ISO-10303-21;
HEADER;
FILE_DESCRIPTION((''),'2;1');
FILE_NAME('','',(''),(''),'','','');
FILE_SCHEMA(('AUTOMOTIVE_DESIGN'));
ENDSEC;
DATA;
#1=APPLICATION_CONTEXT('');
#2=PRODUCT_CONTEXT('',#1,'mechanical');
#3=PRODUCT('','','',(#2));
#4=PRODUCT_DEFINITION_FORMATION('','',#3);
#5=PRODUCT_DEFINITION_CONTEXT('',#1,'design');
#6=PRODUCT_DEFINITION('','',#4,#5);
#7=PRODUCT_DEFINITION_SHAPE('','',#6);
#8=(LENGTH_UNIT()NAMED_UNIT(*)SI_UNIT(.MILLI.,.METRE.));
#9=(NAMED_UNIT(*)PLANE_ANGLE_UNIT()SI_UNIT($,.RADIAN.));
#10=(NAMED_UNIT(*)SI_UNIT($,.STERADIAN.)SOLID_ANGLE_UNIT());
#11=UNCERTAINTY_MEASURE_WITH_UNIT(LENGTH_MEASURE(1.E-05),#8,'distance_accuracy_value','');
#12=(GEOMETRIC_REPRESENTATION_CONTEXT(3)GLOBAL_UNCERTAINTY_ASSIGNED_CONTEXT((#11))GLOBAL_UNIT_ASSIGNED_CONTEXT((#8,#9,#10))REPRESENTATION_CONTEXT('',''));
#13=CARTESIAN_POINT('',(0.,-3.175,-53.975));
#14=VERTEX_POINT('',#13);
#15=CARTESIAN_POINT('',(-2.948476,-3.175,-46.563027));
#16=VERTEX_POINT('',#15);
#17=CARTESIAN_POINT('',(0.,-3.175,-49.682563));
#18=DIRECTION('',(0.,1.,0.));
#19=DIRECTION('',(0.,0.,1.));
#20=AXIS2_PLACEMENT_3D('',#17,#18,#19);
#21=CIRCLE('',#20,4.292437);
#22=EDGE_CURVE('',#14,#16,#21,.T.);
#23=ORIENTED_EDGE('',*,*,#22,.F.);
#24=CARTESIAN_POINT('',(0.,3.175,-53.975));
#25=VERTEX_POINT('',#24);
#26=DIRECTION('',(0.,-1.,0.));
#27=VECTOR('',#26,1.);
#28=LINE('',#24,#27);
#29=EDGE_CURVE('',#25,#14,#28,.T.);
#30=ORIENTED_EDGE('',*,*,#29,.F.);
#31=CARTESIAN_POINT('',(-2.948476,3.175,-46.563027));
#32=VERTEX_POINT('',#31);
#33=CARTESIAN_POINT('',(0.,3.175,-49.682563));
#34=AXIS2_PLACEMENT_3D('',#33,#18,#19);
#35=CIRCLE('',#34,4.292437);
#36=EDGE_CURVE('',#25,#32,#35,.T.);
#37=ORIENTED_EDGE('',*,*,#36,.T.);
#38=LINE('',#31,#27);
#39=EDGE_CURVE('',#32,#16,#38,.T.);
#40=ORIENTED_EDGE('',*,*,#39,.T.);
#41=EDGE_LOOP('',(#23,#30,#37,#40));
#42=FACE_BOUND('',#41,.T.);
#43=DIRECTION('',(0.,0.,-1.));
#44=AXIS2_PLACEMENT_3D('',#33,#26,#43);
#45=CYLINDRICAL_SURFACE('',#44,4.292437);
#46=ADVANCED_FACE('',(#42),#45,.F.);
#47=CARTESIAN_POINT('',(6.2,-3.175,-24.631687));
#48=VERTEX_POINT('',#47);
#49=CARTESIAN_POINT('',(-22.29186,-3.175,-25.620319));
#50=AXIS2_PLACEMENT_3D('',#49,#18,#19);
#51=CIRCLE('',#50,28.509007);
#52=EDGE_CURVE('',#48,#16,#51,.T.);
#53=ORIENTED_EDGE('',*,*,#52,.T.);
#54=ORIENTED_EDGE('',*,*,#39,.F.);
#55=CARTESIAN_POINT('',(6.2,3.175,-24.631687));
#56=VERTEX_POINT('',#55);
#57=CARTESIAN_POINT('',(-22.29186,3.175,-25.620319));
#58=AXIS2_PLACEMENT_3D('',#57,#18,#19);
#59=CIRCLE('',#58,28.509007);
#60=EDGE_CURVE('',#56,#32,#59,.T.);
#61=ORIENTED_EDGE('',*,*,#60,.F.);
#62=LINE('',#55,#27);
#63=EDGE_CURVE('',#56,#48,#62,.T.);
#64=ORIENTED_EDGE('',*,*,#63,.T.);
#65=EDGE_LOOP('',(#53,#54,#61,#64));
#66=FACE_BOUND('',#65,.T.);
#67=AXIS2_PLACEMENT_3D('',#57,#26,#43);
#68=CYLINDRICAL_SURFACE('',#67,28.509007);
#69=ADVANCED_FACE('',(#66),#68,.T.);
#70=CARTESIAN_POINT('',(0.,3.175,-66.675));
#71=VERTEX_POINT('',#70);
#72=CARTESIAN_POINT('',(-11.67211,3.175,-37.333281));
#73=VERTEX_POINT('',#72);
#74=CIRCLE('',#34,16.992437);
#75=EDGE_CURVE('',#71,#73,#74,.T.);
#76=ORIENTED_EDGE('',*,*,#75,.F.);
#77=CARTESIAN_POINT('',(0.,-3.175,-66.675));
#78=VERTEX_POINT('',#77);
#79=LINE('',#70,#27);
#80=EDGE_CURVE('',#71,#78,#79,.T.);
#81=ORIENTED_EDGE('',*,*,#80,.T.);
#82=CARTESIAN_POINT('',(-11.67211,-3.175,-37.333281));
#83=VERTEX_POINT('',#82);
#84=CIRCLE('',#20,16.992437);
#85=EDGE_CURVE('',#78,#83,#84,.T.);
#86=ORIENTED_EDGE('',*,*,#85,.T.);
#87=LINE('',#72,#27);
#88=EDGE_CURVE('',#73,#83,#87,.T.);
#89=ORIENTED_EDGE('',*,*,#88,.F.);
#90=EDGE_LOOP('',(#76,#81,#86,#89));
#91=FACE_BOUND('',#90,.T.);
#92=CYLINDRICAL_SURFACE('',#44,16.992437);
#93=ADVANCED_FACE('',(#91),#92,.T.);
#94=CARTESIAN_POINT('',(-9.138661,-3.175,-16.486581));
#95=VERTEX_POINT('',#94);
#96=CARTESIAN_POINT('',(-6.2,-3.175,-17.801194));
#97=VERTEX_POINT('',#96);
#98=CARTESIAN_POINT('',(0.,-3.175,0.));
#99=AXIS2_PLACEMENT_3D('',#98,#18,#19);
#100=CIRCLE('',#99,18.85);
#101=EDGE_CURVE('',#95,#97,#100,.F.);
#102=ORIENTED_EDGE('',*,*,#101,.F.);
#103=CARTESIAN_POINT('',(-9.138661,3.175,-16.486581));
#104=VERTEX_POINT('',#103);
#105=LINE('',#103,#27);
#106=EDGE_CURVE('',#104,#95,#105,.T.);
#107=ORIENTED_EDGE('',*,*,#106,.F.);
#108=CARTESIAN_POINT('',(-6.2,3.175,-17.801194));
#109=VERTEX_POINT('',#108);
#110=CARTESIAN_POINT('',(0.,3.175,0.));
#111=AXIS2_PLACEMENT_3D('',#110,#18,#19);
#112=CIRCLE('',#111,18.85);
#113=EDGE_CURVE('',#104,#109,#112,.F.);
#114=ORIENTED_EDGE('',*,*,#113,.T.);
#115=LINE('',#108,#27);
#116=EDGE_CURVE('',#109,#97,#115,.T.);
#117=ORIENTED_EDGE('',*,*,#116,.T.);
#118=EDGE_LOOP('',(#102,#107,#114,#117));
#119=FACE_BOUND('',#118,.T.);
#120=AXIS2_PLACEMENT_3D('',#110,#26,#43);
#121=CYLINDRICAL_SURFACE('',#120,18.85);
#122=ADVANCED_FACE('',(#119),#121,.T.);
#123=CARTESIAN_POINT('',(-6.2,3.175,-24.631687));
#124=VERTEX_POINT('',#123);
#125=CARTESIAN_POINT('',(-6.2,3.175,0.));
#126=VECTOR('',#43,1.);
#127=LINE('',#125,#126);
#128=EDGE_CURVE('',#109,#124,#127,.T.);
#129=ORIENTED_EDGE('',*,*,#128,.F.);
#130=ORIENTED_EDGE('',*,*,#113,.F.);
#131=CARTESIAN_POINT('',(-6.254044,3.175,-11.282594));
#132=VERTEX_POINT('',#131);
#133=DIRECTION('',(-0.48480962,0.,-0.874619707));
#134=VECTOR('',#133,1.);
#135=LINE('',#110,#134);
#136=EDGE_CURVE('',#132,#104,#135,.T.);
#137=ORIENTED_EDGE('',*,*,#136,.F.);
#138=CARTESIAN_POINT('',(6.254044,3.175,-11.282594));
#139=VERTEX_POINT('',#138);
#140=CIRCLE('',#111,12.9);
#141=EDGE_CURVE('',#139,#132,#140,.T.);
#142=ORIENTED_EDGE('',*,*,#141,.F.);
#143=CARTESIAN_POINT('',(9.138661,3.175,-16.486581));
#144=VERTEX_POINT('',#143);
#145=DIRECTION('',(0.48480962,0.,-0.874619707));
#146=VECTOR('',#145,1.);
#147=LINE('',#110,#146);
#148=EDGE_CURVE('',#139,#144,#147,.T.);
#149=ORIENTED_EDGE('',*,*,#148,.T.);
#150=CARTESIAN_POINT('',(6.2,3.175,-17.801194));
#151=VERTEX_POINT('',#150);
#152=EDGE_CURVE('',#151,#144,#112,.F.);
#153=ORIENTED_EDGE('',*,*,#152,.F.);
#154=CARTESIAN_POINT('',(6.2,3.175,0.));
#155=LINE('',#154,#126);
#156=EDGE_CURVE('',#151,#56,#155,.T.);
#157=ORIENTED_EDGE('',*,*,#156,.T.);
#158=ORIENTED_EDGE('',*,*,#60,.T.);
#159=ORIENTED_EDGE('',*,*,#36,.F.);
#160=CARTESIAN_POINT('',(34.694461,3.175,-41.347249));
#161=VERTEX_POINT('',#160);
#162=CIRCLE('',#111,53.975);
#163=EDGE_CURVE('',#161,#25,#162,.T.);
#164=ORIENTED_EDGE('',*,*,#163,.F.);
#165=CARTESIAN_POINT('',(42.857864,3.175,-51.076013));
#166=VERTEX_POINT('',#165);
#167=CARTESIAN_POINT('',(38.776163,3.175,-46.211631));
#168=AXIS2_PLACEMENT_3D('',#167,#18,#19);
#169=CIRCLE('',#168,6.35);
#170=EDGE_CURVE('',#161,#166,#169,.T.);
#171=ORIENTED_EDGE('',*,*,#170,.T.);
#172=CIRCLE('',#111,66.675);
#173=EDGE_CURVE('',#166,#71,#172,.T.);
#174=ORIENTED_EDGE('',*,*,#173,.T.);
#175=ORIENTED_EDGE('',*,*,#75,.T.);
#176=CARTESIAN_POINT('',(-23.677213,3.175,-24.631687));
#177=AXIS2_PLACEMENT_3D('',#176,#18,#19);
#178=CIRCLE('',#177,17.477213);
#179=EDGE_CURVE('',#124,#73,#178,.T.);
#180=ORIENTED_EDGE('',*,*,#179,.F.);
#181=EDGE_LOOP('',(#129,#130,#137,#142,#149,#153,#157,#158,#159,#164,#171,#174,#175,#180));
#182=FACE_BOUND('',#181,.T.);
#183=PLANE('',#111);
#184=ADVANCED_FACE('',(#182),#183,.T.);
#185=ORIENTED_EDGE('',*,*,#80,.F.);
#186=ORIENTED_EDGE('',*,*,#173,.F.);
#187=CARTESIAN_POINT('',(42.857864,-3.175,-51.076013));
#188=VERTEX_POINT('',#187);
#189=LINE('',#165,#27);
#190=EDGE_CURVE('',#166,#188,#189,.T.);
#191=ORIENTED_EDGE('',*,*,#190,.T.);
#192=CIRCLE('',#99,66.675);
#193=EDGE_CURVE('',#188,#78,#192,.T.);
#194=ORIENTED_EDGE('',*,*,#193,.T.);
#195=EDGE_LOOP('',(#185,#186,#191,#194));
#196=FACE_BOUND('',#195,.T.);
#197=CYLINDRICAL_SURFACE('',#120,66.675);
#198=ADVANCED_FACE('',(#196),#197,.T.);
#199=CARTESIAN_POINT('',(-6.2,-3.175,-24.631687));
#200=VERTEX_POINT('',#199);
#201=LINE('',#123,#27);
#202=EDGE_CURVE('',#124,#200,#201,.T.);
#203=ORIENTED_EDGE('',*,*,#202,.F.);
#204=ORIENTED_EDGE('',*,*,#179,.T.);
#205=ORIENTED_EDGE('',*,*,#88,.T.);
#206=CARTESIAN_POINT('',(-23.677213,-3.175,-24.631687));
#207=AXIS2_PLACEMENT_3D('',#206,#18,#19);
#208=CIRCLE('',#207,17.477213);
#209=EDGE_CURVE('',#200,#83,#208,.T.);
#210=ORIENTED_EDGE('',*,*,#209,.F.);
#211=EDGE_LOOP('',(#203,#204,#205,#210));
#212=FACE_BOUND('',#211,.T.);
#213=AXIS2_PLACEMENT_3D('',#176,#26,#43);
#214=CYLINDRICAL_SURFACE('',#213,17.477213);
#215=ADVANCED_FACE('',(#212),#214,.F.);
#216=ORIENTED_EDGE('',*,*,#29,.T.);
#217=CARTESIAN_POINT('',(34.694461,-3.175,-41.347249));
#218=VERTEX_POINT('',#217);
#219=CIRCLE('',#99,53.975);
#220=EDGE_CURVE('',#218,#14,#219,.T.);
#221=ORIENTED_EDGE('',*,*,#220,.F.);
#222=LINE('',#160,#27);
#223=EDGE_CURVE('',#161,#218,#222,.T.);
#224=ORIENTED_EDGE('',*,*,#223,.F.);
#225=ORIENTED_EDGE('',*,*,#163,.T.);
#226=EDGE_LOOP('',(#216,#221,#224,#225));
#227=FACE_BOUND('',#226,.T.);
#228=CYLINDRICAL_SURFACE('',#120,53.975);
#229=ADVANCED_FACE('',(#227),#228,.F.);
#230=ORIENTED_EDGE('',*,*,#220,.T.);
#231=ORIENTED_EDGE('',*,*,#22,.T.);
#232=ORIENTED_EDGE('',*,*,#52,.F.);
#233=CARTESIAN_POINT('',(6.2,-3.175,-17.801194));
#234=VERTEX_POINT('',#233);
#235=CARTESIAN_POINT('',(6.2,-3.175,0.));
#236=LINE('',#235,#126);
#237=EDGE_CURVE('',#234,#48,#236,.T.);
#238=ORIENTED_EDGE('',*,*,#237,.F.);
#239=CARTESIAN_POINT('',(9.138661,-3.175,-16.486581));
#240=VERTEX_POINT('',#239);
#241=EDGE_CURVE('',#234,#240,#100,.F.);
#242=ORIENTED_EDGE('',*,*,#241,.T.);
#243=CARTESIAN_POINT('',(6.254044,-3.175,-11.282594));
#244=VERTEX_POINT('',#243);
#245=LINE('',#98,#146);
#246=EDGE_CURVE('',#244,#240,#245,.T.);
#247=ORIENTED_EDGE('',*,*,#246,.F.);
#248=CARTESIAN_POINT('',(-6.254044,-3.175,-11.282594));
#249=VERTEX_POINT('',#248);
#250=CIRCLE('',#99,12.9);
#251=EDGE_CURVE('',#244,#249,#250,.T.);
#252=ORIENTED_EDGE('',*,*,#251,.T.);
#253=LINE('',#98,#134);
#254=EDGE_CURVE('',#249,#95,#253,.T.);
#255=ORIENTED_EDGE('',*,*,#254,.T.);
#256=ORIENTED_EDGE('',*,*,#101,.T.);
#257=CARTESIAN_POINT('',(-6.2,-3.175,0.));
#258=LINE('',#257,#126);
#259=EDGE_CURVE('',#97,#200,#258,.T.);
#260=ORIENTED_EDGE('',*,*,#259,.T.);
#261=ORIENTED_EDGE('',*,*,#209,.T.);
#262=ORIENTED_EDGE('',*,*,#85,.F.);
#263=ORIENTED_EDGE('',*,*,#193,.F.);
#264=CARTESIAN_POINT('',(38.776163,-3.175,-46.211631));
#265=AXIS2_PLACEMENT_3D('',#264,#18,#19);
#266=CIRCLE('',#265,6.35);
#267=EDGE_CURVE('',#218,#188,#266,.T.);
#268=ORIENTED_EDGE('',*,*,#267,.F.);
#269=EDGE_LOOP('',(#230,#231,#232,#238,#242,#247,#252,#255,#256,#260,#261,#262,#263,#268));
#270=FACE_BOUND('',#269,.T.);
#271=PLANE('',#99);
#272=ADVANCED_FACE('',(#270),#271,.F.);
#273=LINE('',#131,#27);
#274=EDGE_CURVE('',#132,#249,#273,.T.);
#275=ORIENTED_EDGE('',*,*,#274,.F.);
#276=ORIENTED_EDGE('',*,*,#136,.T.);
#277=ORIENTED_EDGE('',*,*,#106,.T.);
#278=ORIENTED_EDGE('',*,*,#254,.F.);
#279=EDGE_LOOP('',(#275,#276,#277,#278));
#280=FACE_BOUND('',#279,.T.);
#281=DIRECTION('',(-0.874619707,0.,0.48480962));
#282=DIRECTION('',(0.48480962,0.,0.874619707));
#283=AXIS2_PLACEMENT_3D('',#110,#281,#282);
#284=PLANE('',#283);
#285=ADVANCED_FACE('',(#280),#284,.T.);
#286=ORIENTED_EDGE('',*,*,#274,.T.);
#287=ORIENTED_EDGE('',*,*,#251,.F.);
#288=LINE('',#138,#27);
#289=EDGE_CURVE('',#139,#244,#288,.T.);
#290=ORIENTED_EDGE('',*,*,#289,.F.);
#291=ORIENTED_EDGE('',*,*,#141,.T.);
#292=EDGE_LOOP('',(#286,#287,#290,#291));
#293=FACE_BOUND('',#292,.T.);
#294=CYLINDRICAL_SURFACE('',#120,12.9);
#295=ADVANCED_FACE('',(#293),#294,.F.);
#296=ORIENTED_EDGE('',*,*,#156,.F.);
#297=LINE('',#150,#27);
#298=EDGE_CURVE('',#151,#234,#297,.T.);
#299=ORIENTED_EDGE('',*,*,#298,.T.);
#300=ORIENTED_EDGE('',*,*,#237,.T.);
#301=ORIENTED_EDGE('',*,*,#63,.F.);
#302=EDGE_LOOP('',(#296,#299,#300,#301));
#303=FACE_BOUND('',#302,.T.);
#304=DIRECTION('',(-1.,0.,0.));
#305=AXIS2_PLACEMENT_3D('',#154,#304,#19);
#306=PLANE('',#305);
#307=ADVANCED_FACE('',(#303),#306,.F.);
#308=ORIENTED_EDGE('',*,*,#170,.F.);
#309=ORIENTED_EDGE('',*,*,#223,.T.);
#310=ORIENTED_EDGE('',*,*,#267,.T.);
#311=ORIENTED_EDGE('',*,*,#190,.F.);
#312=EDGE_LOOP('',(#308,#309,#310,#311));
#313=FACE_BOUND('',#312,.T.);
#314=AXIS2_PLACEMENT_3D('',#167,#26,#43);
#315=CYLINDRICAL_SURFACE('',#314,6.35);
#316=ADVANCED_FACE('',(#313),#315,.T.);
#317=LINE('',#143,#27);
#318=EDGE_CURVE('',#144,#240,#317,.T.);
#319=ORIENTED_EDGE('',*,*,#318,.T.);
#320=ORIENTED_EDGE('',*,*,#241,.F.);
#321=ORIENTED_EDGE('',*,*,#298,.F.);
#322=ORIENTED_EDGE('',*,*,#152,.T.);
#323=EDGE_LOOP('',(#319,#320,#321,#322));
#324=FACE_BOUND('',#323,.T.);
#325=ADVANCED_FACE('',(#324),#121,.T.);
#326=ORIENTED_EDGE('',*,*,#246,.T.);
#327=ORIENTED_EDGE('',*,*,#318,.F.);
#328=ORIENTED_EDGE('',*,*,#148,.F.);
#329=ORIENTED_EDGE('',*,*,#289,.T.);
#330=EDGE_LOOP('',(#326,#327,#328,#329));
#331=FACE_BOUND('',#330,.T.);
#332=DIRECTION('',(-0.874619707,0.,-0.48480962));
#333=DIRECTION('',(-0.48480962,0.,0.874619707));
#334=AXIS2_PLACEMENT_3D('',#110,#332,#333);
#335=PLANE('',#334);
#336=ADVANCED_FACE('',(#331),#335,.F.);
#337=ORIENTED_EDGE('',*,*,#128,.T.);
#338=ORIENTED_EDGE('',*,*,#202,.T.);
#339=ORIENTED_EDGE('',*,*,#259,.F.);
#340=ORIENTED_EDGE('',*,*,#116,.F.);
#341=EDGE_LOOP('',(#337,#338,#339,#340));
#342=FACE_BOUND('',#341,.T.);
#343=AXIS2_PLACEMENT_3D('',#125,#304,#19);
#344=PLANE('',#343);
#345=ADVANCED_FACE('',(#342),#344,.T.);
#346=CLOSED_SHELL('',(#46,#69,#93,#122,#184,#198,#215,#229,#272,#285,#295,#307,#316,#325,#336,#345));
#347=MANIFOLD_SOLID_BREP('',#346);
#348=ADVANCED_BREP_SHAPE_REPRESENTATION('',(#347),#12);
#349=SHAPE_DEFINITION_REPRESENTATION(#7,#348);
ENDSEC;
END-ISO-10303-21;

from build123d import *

# Parameters (mm, degrees)
BOSS_EXTRUDE1_DEPTH = 3.175


with BuildPart() as part:
    # Sketch8 → Boss-Extrude1 (new, symmetric)
    with BuildSketch(Plane(origin=(0, 0, 0), x_dir=(1, 0, 0), z_dir=(0, 1, 0))):
        with BuildLine():
            Line((-6.254044101, 11.282594222), (-9.138661342, 16.48658148))
            ThreePointArc((-9.138661342, 16.48658148), (-7.69744661, 17.206737508), (-6.2, 17.80119378))
            Line((-6.2, 17.80119378), (-6.2, 24.631686909))
            ThreePointArc((-6.2, 24.631686909), (-7.626220631, 31.546787733), (-11.672110257, 37.333280783))
            ThreePointArc((-11.672110257, 37.333280783), (-15.789036104, 55.963427524), (0, 66.675))
            ThreePointArc((0, 66.675), (22.804193056, 62.654005491), (42.857863876, 51.076013245))
            ThreePointArc((42.857863876, 51.076013245), (43.640544768, 42.12992971), (34.694461233, 41.347248817))
            ThreePointArc((34.694461233, 41.347248817), (18.460537236, 50.719909207), (0, 53.975))
            ThreePointArc((0, 53.975), (-3.988447659, 51.269163755), (-2.948476431, 46.563026873))
            ThreePointArc((-2.948476431, 46.563026873), (4.019706834, 36.595971198), (6.2, 24.631686909))
            Line((6.2, 24.631686909), (6.2, 17.80119378))
            ThreePointArc((6.2, 17.80119378), (7.69744661, 17.206737508), (9.138661342, 16.48658148))
            Line((9.138661342, 16.48658148), (6.254044101, 11.282594222))
            ThreePointArc((6.254044101, 11.282594222), (0, 12.9), (-6.254044101, 11.282594222))
        make_face()
    extrude(amount=BOSS_EXTRUDE1_DEPTH, both=True)


solid = part.part
